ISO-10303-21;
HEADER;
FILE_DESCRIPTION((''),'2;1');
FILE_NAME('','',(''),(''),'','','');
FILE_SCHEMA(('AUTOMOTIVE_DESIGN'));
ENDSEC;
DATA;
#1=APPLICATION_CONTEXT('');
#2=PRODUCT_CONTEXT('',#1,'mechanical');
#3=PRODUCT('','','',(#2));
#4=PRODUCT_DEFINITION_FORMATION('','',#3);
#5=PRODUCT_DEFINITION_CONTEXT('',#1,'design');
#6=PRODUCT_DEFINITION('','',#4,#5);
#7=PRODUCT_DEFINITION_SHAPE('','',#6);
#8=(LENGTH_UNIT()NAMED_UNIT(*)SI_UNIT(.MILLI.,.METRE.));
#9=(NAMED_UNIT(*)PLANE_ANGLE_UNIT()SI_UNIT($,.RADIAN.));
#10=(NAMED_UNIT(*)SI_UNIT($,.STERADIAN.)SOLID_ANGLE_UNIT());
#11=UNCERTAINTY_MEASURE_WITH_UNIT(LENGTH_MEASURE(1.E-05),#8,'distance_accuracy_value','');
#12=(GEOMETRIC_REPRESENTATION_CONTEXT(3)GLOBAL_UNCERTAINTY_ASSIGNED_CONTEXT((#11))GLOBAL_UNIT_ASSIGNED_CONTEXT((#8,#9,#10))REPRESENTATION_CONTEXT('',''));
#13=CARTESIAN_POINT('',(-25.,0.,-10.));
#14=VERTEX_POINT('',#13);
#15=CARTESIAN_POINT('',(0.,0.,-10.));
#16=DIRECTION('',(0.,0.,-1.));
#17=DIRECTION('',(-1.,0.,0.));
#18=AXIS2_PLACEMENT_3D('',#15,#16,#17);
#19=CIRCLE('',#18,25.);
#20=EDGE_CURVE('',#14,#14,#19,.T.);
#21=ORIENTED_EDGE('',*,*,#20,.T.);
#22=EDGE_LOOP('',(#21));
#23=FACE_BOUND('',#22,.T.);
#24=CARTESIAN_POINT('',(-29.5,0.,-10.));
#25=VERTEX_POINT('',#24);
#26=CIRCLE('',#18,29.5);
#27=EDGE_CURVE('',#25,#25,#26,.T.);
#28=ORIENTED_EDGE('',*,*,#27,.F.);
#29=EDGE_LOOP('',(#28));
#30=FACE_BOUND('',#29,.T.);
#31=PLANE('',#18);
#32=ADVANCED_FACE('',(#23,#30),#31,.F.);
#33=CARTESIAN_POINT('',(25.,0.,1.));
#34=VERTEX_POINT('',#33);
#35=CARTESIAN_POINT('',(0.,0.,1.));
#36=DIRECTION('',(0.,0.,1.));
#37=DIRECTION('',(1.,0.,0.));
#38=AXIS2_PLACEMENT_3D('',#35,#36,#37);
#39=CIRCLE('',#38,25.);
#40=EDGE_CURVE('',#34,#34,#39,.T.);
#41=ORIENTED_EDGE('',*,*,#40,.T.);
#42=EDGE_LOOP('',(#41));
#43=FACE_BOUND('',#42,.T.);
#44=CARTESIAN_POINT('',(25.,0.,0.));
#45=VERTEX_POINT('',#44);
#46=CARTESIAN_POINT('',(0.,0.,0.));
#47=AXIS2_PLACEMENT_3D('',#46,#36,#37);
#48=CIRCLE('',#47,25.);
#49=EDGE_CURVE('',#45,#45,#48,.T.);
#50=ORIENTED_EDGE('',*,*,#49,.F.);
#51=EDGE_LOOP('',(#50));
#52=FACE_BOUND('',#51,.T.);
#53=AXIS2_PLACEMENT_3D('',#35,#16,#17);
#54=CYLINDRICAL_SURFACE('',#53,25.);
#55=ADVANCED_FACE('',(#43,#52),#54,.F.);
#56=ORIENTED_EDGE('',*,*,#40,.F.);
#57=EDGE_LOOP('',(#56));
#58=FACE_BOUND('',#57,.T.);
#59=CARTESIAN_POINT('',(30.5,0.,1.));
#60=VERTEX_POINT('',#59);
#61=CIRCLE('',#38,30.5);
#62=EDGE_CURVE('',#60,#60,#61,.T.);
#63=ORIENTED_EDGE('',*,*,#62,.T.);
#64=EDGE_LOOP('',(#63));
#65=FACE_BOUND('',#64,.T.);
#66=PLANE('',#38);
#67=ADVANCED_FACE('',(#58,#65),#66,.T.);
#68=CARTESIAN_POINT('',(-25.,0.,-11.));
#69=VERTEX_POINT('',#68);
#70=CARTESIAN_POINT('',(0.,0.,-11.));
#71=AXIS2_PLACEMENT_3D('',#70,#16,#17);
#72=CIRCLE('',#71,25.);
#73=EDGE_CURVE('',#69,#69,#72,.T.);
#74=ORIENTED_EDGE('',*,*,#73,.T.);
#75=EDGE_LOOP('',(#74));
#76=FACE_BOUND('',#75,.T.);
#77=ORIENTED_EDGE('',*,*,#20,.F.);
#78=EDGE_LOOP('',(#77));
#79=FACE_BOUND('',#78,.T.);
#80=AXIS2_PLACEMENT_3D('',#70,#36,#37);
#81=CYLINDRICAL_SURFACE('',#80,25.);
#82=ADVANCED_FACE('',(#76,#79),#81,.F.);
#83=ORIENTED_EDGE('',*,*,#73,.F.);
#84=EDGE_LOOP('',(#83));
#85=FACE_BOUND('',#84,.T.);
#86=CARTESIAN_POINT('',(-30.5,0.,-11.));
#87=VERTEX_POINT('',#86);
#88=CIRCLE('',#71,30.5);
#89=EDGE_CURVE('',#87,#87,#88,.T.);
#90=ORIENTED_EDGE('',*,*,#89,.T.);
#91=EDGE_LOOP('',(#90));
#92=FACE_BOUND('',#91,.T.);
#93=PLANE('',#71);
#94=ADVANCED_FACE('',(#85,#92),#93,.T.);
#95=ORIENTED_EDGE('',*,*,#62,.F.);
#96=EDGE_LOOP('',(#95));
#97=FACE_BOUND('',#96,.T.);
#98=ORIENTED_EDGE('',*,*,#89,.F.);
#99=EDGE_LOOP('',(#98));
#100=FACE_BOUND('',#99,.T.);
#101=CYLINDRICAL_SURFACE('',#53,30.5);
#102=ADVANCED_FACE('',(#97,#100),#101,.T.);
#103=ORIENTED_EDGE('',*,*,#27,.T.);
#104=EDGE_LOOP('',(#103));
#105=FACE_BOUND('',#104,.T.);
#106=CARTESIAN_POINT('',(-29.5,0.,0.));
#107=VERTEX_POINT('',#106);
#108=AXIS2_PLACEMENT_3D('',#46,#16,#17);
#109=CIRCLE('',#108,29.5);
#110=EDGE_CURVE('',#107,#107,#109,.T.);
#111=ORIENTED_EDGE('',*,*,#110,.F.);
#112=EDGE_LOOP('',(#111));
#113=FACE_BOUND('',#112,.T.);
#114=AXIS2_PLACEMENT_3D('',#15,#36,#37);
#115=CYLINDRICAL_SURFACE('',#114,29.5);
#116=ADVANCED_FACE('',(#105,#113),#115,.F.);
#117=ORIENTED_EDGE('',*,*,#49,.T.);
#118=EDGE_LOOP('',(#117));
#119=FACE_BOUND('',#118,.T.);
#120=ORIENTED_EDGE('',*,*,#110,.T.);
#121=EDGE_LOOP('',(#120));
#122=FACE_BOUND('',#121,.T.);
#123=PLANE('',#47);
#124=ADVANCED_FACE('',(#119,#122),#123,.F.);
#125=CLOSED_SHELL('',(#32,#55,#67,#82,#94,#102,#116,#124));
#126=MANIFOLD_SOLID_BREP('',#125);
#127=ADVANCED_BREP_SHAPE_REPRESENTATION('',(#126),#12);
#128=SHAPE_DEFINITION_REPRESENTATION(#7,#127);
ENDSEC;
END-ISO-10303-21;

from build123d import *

# Parameters (mm, degrees)
SKETCH1_R           = 30.5
SKETCH1_R_2         = 25
BOSS_EXTRUDE1_DEPTH = 1
SKETCH2_R           = 30.5
SKETCH2_R_2         = 29.5
BOSS_EXTRUDE2_DEPTH = 10
SKETCH3_R           = 30.5
SKETCH3_R_2         = 25
BOSS_EXTRUDE3_DEPTH = 1


with BuildPart() as part:
    # Sketch1 → Boss-Extrude1 (new body)
    with BuildSketch(Plane.XY):
        Circle(SKETCH1_R)
        Circle(SKETCH1_R_2, mode=Mode.SUBTRACT)
    extrude(amount=BOSS_EXTRUDE1_DEPTH)

    # Sketch2 → Boss-Extrude2 (add)
    with BuildSketch(Plane(origin=(0, 0, 0), x_dir=(-1, 0, 0), z_dir=(0, 0, -1))):
        Circle(SKETCH2_R)
        Circle(SKETCH2_R_2, mode=Mode.SUBTRACT)
    extrude(amount=BOSS_EXTRUDE2_DEPTH)

    # Sketch3 → Boss-Extrude3 (add)
    with BuildSketch(Plane(origin=(0, 0, -10), x_dir=(-1, 0, 0), z_dir=(0, 0, -1))):
        Circle(SKETCH3_R)
        Circle(SKETCH3_R_2, mode=Mode.SUBTRACT)
    extrude(amount=BOSS_EXTRUDE3_DEPTH)


solid = part.part
